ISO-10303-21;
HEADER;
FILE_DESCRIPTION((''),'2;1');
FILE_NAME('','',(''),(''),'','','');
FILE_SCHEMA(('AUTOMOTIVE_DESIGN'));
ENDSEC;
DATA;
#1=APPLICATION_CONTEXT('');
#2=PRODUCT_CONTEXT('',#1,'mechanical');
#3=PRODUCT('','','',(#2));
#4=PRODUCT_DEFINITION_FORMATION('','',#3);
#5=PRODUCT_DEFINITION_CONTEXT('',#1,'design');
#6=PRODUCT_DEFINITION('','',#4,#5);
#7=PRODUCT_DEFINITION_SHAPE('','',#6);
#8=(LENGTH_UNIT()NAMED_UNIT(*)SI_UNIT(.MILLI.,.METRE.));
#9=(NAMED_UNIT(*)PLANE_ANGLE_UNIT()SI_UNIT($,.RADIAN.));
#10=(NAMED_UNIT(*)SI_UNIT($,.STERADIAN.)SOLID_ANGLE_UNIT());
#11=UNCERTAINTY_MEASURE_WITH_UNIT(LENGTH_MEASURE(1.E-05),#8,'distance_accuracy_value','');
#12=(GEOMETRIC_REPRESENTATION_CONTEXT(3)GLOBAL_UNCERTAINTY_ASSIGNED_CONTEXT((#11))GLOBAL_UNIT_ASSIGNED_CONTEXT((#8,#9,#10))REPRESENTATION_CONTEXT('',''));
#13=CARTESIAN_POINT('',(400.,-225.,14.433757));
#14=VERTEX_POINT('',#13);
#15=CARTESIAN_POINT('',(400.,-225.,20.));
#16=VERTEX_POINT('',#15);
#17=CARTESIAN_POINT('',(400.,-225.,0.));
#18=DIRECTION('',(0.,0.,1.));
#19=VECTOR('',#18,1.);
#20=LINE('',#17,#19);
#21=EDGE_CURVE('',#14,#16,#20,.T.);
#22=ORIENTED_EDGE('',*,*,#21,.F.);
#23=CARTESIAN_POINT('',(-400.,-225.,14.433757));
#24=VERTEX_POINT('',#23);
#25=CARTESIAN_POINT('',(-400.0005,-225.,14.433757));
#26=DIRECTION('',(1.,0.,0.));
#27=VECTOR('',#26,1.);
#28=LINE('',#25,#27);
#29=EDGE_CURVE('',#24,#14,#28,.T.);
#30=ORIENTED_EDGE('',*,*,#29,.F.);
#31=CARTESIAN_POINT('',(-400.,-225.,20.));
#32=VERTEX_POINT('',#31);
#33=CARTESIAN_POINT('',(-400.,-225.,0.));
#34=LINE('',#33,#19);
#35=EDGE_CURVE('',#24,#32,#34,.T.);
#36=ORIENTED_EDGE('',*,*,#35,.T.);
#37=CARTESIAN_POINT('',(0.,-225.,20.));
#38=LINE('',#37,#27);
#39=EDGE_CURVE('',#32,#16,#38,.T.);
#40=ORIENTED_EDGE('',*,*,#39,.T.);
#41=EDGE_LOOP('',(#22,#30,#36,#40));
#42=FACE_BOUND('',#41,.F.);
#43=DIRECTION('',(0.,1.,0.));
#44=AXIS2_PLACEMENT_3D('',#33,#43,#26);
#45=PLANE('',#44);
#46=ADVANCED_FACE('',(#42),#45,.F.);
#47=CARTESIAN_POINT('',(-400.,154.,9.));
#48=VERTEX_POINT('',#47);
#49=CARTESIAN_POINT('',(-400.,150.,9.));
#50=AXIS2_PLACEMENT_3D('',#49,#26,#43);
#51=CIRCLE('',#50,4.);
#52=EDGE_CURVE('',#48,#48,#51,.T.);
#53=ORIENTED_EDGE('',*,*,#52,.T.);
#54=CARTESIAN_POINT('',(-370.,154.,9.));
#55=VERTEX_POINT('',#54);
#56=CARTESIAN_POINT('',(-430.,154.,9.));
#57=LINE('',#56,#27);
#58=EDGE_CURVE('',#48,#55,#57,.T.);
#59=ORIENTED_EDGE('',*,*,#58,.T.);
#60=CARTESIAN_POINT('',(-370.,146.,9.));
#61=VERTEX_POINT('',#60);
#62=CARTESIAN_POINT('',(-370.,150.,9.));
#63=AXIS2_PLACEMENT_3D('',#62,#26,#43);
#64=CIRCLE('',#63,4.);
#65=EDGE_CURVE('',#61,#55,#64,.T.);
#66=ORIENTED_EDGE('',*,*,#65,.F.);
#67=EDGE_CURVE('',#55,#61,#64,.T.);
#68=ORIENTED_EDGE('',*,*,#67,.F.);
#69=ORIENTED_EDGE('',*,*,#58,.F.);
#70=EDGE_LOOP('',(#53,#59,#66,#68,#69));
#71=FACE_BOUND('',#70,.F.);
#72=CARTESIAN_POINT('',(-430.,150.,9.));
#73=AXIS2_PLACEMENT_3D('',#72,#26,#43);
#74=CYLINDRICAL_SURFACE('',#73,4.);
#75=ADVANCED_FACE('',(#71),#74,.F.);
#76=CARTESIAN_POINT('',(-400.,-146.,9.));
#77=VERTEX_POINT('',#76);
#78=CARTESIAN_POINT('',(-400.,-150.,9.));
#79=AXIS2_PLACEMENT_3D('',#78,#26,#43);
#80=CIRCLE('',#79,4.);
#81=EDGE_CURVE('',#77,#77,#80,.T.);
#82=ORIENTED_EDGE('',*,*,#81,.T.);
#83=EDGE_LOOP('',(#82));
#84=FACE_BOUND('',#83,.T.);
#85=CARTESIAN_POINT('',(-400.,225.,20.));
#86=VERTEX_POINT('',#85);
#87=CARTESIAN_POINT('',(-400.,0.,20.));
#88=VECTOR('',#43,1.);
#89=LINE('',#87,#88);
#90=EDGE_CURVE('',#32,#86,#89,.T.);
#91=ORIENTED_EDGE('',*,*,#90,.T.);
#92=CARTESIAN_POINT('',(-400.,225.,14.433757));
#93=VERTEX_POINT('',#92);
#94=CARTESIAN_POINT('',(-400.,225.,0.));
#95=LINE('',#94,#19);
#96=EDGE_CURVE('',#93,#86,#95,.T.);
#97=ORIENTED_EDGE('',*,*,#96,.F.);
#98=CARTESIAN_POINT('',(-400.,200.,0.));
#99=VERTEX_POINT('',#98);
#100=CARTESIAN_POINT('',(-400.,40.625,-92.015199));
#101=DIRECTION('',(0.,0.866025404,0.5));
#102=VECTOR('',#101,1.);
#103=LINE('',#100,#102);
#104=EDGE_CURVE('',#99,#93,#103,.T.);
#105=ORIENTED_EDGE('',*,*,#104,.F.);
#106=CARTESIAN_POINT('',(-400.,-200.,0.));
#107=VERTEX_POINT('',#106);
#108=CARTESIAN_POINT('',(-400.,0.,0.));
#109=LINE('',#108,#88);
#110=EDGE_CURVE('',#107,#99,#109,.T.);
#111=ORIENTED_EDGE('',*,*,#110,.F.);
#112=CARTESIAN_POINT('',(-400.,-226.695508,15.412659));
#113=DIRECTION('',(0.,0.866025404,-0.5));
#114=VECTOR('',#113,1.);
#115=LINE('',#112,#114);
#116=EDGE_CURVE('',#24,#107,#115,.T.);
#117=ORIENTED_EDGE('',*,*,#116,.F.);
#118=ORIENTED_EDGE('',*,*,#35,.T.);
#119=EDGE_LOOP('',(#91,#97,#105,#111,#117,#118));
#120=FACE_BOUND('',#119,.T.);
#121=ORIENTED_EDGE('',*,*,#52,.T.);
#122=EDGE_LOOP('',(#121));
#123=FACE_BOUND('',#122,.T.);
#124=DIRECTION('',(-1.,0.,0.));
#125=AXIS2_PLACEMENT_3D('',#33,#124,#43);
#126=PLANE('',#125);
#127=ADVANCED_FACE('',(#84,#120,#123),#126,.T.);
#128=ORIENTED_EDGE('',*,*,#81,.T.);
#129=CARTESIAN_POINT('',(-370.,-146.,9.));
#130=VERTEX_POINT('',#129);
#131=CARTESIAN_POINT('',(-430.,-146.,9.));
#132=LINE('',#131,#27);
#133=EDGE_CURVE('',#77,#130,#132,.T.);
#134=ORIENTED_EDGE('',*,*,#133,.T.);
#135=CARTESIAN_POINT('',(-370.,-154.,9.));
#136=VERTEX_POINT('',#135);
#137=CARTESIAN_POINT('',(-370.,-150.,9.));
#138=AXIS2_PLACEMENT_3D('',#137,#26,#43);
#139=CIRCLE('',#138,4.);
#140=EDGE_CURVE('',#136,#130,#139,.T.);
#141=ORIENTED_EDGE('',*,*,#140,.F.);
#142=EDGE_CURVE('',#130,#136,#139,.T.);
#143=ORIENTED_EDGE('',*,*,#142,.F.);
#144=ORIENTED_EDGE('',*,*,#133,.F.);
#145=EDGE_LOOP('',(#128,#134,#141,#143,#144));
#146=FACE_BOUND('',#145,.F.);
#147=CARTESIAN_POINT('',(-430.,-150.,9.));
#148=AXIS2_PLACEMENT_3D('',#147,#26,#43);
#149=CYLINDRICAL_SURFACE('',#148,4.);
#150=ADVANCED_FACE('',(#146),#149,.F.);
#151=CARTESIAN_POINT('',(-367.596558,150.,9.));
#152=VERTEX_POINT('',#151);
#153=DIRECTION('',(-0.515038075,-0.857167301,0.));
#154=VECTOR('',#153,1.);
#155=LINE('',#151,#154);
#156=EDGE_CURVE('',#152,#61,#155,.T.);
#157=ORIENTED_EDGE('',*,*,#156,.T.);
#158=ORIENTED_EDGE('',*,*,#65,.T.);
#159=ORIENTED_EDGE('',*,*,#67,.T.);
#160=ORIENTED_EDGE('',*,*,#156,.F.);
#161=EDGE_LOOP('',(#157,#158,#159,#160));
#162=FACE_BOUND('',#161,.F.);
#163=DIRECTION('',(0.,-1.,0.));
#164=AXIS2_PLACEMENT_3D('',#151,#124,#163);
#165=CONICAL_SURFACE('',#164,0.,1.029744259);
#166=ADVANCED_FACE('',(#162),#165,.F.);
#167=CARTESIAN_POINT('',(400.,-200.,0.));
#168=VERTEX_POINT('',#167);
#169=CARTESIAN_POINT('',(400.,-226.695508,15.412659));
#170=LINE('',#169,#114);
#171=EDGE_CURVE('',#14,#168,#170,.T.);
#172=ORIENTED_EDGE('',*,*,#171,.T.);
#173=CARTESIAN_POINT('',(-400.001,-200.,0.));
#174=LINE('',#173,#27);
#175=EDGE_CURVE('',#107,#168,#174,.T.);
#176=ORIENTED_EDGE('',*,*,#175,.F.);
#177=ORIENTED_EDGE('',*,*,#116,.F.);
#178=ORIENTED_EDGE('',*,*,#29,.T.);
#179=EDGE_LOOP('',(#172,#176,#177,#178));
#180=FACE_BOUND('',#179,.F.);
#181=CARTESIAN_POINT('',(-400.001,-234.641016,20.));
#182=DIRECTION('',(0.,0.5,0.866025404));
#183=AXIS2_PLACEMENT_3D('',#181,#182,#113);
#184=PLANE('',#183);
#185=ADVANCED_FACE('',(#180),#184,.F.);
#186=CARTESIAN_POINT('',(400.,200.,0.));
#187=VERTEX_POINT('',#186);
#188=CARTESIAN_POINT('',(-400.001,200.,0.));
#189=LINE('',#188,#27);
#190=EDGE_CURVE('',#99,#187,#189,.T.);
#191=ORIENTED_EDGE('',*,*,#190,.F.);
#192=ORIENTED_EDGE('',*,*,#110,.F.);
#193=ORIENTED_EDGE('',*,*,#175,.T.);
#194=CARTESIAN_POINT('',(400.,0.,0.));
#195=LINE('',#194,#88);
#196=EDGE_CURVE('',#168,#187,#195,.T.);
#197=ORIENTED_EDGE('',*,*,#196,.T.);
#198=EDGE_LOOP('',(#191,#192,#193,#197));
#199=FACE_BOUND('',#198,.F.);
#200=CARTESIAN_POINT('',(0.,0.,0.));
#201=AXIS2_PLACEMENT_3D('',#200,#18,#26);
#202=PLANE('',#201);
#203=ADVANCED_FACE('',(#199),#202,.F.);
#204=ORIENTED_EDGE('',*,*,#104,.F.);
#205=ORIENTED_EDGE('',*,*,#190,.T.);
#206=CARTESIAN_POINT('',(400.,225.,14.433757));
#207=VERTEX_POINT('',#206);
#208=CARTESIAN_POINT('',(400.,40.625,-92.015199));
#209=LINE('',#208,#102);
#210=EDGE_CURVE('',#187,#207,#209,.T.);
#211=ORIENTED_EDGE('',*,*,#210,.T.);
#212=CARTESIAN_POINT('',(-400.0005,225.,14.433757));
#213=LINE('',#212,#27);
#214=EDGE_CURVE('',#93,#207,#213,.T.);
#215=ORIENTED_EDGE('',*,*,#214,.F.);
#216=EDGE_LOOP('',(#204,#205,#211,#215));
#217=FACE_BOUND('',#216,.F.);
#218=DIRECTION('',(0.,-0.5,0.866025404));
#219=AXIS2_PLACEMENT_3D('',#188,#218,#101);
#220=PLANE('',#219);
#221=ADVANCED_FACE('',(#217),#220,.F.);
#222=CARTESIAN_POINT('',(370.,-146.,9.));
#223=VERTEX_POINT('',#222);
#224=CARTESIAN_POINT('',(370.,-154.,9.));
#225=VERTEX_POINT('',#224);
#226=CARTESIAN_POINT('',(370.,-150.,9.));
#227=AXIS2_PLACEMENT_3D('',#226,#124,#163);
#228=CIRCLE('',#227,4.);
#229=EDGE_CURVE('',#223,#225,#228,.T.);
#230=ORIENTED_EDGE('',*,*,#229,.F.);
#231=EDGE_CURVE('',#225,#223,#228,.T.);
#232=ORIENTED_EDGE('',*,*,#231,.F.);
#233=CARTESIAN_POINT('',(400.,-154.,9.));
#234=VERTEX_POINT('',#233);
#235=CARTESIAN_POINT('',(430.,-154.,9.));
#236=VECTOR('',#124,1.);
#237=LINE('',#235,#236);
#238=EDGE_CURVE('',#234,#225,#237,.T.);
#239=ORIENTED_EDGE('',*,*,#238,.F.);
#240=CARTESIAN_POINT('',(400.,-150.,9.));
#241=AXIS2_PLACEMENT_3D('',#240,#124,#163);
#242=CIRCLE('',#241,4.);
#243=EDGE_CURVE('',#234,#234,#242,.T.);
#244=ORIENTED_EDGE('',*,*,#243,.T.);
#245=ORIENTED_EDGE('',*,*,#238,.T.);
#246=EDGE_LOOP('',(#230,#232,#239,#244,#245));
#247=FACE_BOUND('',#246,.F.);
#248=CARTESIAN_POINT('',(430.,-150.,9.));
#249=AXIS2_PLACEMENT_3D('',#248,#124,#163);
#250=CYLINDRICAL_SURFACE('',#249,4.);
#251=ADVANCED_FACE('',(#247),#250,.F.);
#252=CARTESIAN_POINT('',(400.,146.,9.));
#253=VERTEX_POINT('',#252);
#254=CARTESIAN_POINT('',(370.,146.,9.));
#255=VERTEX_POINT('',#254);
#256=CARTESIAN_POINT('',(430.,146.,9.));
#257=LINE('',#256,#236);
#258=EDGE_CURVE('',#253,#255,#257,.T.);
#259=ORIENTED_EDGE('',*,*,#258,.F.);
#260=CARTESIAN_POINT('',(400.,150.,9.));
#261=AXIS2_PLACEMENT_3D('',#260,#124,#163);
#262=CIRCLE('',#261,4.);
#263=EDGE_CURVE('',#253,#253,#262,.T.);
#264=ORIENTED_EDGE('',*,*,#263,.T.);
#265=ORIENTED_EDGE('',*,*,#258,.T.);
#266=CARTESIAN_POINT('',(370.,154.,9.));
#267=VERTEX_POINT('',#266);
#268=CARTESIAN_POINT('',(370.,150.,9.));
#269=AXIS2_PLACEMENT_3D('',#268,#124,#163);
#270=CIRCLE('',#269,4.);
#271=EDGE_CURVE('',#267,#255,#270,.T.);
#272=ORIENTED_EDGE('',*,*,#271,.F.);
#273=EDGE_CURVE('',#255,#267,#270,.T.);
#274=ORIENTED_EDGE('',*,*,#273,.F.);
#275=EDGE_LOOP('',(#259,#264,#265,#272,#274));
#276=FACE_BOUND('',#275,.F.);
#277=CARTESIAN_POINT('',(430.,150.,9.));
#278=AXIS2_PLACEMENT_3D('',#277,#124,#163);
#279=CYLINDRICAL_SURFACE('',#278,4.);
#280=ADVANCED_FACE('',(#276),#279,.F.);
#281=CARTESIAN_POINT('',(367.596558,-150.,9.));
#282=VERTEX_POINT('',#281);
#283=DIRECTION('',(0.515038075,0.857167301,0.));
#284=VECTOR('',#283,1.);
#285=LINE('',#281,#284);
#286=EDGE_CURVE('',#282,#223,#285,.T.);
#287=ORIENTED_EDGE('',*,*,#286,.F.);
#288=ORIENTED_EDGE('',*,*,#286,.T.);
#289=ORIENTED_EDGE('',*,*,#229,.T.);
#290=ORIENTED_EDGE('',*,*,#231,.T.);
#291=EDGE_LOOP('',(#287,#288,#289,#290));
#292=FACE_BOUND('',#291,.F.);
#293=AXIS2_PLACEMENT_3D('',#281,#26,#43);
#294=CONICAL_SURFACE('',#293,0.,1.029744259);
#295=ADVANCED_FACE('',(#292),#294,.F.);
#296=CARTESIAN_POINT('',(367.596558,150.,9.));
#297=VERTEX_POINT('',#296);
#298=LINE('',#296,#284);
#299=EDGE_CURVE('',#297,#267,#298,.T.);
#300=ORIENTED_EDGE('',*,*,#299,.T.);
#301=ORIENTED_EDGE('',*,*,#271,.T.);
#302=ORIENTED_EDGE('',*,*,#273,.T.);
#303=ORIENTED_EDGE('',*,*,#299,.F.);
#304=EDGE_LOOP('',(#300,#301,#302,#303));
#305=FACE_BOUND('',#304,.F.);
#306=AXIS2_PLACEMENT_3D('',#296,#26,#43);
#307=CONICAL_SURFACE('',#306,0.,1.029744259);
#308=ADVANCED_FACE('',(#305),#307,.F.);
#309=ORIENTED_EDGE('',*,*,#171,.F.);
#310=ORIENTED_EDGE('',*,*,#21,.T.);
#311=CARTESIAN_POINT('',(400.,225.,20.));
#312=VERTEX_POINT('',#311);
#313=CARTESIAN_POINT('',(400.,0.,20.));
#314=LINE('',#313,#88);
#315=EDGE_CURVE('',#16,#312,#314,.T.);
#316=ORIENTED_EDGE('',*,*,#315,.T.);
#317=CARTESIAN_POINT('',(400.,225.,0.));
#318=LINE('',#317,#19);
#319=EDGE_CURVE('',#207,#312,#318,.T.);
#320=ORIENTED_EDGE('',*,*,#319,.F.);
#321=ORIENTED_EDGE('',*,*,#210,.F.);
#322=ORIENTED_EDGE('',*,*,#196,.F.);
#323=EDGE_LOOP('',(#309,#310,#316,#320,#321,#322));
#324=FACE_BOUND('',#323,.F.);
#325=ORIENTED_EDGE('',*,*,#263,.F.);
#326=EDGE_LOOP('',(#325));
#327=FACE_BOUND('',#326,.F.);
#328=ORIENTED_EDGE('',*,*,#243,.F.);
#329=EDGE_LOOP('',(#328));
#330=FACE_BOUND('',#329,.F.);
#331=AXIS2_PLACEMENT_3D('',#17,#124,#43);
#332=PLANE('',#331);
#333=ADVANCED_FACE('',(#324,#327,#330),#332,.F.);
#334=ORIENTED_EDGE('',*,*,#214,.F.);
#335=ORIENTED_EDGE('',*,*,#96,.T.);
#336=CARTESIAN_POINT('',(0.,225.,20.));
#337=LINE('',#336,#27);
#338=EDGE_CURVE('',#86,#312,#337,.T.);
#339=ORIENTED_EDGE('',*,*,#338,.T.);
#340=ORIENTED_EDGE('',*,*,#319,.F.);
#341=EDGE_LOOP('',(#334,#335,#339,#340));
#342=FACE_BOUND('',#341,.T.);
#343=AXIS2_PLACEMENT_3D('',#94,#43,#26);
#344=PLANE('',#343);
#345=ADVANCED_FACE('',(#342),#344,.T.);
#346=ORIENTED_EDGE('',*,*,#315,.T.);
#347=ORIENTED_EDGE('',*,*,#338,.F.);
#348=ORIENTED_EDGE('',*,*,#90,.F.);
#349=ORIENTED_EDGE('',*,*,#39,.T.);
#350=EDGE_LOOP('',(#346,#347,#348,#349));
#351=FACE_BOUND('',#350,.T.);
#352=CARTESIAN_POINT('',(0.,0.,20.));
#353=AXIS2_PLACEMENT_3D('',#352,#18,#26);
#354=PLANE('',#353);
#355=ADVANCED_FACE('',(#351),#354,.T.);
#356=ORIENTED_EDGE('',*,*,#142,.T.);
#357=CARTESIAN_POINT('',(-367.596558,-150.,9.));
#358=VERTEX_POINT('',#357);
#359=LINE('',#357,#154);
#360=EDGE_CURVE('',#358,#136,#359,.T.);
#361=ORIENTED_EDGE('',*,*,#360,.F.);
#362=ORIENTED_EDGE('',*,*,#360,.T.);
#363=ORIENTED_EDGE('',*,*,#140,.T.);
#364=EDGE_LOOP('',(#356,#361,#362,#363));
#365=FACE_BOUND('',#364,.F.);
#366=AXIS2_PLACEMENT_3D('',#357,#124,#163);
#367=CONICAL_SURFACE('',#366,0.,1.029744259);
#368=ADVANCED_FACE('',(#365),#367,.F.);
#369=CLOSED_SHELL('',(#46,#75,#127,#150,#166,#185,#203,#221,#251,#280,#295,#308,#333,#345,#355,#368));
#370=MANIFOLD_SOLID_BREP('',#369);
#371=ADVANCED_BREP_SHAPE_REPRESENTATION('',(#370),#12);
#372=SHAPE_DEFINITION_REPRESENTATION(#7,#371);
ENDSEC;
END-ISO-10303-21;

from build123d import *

# Parameters (mm, degrees)
F0_W           = 800
F0_H           = 450
F1_DEPTH       = 20
F3_START       = -400.001
F3_DEPTH       = 800.002
F6_D           = 8
F6_DEPTH       = 30
F6_TIP         = 2.4034424761
F6_ON_F5_D     = 8
F6_ON_F5_DEPTH = 30
F6_ON_F5_TIP   = 2.4034424761


with BuildPart() as f1:
    # F0 (on Top) → F1 (new body)
    with BuildSketch(Plane.XY):
        Rectangle(F0_W, F0_H)
    extrude(amount=F1_DEPTH)

    # F2 (on Right) → F3 (intersect)
    with BuildSketch(Plane.YZ.offset(F3_START)):
        Polygon((-200, 0), (200, 0), (234.6410161514, 20), (-234.6410161514, 20), align=None)
    extrude(amount=F3_DEPTH, mode=Mode.INTERSECT)

    # F6
    with Locations(Plane(origin=(-400, 0, 0), x_dir=(0, -1, 0), z_dir=(-1, 0, 0))):
        with Locations((-150, 9), (150, 9)):
            Hole(F6_D / 2, depth=F6_DEPTH)
            with Locations((0, 0, -(F6_DEPTH + F6_TIP / 2))):  # 118° drill point
                Cone(0, F6_D / 2, F6_TIP, mode=Mode.SUBTRACT)

    # F6 on F5
    with Locations(Plane.YZ.offset(400)):
        with Locations((150, 9), (-150, 9)):
            Hole(F6_ON_F5_D / 2, depth=F6_ON_F5_DEPTH)
            with Locations((0, 0, -(F6_ON_F5_DEPTH + F6_ON_F5_TIP / 2))):  # 118° drill point
                Cone(0, F6_ON_F5_D / 2, F6_ON_F5_TIP, mode=Mode.SUBTRACT)


solid = f1.part
